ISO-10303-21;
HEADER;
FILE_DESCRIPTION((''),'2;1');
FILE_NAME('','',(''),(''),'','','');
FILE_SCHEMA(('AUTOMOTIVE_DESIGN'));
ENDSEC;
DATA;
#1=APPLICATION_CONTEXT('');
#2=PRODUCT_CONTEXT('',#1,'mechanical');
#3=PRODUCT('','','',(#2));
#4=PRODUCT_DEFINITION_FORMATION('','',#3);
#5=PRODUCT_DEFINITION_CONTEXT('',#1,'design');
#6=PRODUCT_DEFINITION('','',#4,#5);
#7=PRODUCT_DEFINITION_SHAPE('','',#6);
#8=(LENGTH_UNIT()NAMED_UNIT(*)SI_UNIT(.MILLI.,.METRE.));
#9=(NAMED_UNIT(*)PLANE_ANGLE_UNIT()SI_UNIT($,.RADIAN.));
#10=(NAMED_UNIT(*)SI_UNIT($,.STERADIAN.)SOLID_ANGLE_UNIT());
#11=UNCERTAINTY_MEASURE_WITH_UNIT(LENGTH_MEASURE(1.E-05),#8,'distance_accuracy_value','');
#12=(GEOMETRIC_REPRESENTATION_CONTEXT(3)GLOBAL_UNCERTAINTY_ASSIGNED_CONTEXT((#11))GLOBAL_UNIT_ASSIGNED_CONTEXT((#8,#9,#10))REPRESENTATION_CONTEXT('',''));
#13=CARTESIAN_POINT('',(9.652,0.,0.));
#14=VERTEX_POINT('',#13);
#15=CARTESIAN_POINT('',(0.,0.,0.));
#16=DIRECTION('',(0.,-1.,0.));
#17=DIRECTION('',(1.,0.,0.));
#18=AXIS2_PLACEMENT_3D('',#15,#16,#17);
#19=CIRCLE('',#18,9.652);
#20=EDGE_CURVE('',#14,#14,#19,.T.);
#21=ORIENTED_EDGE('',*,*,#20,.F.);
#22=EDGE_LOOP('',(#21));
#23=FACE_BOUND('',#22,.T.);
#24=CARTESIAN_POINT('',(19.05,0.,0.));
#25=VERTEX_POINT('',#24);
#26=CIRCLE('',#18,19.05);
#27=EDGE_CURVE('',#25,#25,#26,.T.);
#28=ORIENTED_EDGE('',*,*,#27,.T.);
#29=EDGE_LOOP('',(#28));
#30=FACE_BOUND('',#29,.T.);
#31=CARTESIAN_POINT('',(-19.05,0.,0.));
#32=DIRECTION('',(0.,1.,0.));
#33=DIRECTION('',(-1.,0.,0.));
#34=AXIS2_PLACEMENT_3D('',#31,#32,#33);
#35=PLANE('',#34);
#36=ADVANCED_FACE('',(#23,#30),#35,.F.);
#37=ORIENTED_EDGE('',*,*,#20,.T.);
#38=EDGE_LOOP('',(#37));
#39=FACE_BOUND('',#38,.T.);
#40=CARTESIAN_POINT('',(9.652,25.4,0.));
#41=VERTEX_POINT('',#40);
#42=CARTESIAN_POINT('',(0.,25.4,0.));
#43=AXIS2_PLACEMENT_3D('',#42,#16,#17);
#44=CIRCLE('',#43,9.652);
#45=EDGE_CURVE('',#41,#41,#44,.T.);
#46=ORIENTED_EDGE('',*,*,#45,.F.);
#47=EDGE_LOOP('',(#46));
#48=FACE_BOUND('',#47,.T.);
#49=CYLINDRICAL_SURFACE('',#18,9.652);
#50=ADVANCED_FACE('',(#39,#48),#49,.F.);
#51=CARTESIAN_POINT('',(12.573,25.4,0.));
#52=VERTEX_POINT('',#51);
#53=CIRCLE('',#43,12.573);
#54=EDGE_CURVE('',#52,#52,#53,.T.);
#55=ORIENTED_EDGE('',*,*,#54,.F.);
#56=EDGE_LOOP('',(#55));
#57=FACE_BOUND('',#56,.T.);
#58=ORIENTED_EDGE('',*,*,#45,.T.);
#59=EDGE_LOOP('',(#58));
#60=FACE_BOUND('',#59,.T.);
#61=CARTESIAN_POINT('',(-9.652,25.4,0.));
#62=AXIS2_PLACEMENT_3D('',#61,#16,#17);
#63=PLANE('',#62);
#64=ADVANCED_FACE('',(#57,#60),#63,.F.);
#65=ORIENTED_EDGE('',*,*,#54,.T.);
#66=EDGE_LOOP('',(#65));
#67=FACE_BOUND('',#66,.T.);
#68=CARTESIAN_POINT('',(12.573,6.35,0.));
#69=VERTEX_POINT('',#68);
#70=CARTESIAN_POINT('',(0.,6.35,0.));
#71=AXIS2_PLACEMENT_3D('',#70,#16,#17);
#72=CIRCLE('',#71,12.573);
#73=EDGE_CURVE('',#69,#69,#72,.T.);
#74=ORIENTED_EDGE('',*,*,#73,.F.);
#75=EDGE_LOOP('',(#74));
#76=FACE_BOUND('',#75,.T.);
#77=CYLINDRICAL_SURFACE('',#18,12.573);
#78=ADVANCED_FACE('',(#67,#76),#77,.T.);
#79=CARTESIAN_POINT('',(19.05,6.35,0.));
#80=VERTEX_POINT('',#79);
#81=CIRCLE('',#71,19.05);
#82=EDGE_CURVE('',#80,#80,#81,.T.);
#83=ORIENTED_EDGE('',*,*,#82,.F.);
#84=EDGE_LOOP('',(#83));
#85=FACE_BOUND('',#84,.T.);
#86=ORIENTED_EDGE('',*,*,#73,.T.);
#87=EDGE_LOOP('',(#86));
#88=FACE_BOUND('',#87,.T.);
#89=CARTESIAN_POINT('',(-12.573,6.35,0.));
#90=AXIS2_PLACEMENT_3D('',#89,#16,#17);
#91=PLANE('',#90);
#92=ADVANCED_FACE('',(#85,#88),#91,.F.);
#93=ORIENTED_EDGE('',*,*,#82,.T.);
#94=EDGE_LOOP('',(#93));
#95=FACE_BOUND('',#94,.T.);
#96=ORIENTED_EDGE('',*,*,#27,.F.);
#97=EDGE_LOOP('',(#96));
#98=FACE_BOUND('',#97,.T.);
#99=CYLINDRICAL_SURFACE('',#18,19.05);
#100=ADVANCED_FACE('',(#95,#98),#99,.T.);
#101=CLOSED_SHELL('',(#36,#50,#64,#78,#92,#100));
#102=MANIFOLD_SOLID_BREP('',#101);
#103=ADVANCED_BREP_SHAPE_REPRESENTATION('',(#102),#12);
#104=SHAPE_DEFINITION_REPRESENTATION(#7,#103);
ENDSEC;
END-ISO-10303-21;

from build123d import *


with BuildPart() as part:
    # Sketch1 → Revolve1 (revolve)
    with BuildSketch(Plane.XY, mode=Mode.PRIVATE) as revolve1_sk:
        Polygon((-9.652, 0), (-9.652, 25.4), (-12.573, 25.4), (-12.573, 6.35), (-19.05, 6.35), (-19.05, 0), align=None)
    revolve(revolve1_sk.sketch.rotate(Axis((0, 0, 0), (0, 1, 0)), 180), axis=Axis((0, 0, 0), (0, 1, 0)))


solid = part.part
